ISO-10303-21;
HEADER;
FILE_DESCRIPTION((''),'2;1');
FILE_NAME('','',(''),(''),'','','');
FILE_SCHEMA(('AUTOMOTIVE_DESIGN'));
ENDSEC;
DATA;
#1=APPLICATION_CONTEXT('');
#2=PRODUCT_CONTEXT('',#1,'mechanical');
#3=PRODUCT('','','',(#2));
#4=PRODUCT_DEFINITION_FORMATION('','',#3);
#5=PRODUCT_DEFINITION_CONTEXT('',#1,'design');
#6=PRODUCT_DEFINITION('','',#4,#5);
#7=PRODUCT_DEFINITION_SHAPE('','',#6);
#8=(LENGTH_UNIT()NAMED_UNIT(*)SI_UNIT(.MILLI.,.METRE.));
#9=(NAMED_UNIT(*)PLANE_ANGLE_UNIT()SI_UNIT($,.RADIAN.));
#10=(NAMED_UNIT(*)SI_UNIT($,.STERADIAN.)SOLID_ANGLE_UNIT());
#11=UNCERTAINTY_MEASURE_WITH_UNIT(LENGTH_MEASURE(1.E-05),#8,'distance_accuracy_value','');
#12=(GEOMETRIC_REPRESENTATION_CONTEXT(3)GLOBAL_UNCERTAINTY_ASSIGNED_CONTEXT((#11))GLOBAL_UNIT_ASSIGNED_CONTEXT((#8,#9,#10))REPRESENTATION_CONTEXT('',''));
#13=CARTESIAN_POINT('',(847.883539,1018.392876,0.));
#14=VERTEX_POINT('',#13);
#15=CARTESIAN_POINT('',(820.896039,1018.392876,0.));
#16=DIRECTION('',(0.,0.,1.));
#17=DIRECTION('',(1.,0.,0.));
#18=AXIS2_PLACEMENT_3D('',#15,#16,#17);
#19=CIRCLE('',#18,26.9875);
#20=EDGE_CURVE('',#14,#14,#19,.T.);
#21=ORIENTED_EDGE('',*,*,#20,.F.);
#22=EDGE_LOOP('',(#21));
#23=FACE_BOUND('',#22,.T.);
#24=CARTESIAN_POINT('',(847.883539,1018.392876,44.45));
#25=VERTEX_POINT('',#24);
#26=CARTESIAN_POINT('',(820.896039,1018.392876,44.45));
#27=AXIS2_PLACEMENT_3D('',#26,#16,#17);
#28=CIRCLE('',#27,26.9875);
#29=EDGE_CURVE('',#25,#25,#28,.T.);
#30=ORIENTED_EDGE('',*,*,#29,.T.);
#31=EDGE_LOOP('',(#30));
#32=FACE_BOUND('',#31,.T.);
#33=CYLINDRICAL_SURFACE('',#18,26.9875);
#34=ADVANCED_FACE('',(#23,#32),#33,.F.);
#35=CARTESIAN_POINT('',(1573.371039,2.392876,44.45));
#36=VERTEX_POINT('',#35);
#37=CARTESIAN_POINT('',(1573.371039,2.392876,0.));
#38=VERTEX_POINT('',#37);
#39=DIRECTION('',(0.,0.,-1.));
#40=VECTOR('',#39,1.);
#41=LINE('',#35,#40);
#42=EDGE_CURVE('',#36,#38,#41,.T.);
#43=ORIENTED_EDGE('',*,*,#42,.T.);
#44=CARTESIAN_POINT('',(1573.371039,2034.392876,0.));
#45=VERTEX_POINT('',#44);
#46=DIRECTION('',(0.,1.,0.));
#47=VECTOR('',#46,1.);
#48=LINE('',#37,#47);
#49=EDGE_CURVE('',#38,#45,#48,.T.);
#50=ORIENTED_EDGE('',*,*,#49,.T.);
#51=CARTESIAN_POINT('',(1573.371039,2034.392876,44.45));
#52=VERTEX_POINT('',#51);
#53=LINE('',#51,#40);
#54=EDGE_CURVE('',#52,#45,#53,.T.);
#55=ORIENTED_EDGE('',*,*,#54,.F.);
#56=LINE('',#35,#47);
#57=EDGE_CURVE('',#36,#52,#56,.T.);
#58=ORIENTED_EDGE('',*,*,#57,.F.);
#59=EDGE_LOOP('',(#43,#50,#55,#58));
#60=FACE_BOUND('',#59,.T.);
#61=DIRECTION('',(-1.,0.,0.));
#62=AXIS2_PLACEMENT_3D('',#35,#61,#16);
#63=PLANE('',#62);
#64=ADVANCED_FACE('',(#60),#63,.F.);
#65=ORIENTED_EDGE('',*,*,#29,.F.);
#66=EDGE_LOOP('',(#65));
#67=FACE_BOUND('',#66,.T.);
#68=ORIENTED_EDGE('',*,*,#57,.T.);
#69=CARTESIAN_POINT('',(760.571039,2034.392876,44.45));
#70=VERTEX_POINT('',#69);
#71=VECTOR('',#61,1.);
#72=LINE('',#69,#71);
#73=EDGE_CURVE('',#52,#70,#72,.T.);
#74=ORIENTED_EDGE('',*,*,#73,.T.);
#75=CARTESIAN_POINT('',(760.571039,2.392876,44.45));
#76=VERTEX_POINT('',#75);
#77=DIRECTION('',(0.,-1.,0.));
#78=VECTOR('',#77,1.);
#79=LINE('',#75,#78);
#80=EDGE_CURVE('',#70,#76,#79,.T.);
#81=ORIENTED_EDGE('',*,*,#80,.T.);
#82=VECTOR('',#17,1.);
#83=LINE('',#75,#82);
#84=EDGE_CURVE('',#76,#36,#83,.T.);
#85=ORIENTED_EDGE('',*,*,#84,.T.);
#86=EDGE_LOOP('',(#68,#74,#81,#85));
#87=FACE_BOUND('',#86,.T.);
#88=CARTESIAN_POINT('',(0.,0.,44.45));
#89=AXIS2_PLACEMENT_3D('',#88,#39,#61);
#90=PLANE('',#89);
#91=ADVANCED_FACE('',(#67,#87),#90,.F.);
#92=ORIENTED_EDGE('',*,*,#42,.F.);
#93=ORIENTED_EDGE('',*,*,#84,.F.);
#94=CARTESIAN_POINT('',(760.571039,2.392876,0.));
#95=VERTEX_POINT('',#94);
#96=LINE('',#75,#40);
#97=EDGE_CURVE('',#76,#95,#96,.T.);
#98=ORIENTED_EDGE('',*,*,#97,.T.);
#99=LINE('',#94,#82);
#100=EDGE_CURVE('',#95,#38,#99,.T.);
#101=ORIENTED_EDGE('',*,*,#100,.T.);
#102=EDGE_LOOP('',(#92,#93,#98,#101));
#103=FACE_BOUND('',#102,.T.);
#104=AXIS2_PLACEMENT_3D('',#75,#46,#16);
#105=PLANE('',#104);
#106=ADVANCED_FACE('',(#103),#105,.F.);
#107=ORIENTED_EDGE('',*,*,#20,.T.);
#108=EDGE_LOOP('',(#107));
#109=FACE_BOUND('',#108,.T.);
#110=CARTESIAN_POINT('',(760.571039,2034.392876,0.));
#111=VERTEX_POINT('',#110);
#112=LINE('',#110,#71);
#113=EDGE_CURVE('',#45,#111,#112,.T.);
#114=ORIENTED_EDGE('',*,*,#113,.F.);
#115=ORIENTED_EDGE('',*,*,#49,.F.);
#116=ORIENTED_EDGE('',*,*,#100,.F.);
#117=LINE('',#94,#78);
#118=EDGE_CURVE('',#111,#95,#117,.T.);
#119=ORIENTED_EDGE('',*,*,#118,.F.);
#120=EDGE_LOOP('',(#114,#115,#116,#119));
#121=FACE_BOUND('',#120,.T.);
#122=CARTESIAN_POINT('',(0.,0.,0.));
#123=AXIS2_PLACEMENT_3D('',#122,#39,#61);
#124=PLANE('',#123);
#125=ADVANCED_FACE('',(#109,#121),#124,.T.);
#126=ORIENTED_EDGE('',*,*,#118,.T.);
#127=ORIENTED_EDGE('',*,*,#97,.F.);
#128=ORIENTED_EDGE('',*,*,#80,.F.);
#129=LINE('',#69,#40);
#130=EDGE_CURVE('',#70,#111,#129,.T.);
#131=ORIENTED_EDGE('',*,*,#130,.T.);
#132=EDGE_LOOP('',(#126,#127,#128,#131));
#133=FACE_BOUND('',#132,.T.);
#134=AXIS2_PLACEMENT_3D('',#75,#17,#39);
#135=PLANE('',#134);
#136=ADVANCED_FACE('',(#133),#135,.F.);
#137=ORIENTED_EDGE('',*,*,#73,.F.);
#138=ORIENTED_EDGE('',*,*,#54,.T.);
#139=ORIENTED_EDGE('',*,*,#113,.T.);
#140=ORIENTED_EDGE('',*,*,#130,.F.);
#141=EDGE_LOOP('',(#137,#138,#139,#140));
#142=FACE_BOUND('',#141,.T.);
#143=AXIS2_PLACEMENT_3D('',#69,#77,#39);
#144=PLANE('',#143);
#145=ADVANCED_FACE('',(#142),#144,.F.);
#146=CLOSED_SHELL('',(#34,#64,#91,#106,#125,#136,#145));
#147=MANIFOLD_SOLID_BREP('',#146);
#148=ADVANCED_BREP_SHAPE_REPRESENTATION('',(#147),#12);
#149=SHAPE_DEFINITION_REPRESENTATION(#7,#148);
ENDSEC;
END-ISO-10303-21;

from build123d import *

# Parameters (mm, degrees)
SKETCH1_W           = 812.8
SKETCH1_H           = 2032
BOSS_EXTRUDE1_DEPTH = 44.45
SKETCH2_R           = 26.9875
CUT_EXTRUDE1_DEPTH  = 44.45


with BuildPart() as part:
    # Sketch1 → Boss-Extrude1 (new body)
    with BuildSketch(Plane.XY):
        with Locations((1166.971038615, 1018.392876165)):
            Rectangle(SKETCH1_W, SKETCH1_H)
    extrude(amount=BOSS_EXTRUDE1_DEPTH)

    # Sketch2 → Cut-Extrude1 (cut)
    with BuildSketch(Plane.XY.offset(44.45)):
        with Locations((820.896038615, 1018.392876165)):
            Circle(SKETCH2_R)
    extrude(amount=-CUT_EXTRUDE1_DEPTH, mode=Mode.SUBTRACT)


solid = part.part
